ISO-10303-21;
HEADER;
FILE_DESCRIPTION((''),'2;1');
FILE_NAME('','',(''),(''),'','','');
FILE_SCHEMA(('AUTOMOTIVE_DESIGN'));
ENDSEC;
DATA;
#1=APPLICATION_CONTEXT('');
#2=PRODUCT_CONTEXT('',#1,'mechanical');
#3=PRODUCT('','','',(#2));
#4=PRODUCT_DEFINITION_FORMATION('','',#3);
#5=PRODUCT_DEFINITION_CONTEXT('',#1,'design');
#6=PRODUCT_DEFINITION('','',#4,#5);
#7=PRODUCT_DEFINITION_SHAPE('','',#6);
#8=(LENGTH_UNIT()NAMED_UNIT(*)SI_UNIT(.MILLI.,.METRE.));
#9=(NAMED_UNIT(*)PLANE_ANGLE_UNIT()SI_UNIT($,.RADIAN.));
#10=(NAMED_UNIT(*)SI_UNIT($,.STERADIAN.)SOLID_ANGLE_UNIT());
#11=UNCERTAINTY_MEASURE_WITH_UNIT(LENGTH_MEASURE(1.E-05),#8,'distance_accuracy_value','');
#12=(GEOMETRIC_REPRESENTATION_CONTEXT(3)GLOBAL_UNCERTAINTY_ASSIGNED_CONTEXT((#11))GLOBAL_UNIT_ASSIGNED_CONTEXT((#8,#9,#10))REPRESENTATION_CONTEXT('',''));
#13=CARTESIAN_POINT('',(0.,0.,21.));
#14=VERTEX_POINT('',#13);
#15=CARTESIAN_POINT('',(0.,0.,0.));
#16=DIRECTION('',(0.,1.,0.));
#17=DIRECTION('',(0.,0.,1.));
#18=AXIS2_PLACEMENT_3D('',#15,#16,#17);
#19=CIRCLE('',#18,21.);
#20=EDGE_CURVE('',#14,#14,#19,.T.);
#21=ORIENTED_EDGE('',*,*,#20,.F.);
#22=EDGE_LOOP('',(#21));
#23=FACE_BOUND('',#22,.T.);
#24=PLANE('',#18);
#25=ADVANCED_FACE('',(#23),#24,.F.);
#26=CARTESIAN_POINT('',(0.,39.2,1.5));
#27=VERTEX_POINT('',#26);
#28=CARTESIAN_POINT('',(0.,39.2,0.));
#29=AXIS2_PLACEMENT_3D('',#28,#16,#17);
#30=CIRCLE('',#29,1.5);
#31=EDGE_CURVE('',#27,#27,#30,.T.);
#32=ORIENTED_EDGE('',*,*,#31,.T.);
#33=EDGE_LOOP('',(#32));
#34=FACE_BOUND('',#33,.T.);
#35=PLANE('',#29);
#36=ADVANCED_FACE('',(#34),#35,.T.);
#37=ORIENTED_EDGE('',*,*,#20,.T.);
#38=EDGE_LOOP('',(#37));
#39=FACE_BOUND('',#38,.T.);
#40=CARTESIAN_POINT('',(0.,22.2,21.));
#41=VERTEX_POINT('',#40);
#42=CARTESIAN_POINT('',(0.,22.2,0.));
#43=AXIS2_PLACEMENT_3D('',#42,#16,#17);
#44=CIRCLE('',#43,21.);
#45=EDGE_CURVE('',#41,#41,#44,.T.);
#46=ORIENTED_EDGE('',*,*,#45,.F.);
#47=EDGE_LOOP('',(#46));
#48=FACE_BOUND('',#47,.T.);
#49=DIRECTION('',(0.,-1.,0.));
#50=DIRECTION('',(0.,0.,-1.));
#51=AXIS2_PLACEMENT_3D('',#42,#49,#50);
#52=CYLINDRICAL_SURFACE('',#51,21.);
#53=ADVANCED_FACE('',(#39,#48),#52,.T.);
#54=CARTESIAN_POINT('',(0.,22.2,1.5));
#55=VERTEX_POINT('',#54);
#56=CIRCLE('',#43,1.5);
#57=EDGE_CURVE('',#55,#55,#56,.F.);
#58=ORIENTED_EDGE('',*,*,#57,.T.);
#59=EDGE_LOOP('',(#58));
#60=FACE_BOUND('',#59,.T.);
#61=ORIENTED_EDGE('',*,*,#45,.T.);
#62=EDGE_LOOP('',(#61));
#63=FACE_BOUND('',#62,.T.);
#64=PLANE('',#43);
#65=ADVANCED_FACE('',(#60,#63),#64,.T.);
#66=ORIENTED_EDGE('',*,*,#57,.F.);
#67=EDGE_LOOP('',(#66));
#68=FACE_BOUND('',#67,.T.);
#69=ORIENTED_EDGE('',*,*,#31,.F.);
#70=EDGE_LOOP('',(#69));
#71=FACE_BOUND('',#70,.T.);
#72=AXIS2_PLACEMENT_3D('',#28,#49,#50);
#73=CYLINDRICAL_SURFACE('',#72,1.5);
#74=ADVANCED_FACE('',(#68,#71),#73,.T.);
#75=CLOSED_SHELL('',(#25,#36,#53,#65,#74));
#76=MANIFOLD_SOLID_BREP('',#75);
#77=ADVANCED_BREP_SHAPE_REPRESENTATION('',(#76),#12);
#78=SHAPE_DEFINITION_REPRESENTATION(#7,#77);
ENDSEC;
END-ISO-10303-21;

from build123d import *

# Parameters (mm, degrees)
SKETCH1_R           = 21
BOSS_EXTRUDE1_DEPTH = 22.2
SKETCH2_R           = 1.5
BOSS_EXTRUDE2_DEPTH = 39.2


with BuildPart() as part:
    # Sketch1 → Boss-Extrude1 (new body)
    with BuildSketch(Plane(origin=(0, 0, 0), x_dir=(1, 0, 0), z_dir=(0, 1, 0))):
        with Locations(Location((0, 0, 0), (0, 0, 270))):
            Circle(SKETCH1_R)
    extrude(amount=BOSS_EXTRUDE1_DEPTH)

    # Sketch2 → Boss-Extrude2 (add)
    with BuildSketch(Plane(origin=(0, 0, 0), x_dir=(1, 0, 0), z_dir=(0, 1, 0))):
        with Locations(Location((0, 0, 0), (0, 0, 270))):
            Circle(SKETCH2_R)
    extrude(amount=BOSS_EXTRUDE2_DEPTH)


solid = part.part
